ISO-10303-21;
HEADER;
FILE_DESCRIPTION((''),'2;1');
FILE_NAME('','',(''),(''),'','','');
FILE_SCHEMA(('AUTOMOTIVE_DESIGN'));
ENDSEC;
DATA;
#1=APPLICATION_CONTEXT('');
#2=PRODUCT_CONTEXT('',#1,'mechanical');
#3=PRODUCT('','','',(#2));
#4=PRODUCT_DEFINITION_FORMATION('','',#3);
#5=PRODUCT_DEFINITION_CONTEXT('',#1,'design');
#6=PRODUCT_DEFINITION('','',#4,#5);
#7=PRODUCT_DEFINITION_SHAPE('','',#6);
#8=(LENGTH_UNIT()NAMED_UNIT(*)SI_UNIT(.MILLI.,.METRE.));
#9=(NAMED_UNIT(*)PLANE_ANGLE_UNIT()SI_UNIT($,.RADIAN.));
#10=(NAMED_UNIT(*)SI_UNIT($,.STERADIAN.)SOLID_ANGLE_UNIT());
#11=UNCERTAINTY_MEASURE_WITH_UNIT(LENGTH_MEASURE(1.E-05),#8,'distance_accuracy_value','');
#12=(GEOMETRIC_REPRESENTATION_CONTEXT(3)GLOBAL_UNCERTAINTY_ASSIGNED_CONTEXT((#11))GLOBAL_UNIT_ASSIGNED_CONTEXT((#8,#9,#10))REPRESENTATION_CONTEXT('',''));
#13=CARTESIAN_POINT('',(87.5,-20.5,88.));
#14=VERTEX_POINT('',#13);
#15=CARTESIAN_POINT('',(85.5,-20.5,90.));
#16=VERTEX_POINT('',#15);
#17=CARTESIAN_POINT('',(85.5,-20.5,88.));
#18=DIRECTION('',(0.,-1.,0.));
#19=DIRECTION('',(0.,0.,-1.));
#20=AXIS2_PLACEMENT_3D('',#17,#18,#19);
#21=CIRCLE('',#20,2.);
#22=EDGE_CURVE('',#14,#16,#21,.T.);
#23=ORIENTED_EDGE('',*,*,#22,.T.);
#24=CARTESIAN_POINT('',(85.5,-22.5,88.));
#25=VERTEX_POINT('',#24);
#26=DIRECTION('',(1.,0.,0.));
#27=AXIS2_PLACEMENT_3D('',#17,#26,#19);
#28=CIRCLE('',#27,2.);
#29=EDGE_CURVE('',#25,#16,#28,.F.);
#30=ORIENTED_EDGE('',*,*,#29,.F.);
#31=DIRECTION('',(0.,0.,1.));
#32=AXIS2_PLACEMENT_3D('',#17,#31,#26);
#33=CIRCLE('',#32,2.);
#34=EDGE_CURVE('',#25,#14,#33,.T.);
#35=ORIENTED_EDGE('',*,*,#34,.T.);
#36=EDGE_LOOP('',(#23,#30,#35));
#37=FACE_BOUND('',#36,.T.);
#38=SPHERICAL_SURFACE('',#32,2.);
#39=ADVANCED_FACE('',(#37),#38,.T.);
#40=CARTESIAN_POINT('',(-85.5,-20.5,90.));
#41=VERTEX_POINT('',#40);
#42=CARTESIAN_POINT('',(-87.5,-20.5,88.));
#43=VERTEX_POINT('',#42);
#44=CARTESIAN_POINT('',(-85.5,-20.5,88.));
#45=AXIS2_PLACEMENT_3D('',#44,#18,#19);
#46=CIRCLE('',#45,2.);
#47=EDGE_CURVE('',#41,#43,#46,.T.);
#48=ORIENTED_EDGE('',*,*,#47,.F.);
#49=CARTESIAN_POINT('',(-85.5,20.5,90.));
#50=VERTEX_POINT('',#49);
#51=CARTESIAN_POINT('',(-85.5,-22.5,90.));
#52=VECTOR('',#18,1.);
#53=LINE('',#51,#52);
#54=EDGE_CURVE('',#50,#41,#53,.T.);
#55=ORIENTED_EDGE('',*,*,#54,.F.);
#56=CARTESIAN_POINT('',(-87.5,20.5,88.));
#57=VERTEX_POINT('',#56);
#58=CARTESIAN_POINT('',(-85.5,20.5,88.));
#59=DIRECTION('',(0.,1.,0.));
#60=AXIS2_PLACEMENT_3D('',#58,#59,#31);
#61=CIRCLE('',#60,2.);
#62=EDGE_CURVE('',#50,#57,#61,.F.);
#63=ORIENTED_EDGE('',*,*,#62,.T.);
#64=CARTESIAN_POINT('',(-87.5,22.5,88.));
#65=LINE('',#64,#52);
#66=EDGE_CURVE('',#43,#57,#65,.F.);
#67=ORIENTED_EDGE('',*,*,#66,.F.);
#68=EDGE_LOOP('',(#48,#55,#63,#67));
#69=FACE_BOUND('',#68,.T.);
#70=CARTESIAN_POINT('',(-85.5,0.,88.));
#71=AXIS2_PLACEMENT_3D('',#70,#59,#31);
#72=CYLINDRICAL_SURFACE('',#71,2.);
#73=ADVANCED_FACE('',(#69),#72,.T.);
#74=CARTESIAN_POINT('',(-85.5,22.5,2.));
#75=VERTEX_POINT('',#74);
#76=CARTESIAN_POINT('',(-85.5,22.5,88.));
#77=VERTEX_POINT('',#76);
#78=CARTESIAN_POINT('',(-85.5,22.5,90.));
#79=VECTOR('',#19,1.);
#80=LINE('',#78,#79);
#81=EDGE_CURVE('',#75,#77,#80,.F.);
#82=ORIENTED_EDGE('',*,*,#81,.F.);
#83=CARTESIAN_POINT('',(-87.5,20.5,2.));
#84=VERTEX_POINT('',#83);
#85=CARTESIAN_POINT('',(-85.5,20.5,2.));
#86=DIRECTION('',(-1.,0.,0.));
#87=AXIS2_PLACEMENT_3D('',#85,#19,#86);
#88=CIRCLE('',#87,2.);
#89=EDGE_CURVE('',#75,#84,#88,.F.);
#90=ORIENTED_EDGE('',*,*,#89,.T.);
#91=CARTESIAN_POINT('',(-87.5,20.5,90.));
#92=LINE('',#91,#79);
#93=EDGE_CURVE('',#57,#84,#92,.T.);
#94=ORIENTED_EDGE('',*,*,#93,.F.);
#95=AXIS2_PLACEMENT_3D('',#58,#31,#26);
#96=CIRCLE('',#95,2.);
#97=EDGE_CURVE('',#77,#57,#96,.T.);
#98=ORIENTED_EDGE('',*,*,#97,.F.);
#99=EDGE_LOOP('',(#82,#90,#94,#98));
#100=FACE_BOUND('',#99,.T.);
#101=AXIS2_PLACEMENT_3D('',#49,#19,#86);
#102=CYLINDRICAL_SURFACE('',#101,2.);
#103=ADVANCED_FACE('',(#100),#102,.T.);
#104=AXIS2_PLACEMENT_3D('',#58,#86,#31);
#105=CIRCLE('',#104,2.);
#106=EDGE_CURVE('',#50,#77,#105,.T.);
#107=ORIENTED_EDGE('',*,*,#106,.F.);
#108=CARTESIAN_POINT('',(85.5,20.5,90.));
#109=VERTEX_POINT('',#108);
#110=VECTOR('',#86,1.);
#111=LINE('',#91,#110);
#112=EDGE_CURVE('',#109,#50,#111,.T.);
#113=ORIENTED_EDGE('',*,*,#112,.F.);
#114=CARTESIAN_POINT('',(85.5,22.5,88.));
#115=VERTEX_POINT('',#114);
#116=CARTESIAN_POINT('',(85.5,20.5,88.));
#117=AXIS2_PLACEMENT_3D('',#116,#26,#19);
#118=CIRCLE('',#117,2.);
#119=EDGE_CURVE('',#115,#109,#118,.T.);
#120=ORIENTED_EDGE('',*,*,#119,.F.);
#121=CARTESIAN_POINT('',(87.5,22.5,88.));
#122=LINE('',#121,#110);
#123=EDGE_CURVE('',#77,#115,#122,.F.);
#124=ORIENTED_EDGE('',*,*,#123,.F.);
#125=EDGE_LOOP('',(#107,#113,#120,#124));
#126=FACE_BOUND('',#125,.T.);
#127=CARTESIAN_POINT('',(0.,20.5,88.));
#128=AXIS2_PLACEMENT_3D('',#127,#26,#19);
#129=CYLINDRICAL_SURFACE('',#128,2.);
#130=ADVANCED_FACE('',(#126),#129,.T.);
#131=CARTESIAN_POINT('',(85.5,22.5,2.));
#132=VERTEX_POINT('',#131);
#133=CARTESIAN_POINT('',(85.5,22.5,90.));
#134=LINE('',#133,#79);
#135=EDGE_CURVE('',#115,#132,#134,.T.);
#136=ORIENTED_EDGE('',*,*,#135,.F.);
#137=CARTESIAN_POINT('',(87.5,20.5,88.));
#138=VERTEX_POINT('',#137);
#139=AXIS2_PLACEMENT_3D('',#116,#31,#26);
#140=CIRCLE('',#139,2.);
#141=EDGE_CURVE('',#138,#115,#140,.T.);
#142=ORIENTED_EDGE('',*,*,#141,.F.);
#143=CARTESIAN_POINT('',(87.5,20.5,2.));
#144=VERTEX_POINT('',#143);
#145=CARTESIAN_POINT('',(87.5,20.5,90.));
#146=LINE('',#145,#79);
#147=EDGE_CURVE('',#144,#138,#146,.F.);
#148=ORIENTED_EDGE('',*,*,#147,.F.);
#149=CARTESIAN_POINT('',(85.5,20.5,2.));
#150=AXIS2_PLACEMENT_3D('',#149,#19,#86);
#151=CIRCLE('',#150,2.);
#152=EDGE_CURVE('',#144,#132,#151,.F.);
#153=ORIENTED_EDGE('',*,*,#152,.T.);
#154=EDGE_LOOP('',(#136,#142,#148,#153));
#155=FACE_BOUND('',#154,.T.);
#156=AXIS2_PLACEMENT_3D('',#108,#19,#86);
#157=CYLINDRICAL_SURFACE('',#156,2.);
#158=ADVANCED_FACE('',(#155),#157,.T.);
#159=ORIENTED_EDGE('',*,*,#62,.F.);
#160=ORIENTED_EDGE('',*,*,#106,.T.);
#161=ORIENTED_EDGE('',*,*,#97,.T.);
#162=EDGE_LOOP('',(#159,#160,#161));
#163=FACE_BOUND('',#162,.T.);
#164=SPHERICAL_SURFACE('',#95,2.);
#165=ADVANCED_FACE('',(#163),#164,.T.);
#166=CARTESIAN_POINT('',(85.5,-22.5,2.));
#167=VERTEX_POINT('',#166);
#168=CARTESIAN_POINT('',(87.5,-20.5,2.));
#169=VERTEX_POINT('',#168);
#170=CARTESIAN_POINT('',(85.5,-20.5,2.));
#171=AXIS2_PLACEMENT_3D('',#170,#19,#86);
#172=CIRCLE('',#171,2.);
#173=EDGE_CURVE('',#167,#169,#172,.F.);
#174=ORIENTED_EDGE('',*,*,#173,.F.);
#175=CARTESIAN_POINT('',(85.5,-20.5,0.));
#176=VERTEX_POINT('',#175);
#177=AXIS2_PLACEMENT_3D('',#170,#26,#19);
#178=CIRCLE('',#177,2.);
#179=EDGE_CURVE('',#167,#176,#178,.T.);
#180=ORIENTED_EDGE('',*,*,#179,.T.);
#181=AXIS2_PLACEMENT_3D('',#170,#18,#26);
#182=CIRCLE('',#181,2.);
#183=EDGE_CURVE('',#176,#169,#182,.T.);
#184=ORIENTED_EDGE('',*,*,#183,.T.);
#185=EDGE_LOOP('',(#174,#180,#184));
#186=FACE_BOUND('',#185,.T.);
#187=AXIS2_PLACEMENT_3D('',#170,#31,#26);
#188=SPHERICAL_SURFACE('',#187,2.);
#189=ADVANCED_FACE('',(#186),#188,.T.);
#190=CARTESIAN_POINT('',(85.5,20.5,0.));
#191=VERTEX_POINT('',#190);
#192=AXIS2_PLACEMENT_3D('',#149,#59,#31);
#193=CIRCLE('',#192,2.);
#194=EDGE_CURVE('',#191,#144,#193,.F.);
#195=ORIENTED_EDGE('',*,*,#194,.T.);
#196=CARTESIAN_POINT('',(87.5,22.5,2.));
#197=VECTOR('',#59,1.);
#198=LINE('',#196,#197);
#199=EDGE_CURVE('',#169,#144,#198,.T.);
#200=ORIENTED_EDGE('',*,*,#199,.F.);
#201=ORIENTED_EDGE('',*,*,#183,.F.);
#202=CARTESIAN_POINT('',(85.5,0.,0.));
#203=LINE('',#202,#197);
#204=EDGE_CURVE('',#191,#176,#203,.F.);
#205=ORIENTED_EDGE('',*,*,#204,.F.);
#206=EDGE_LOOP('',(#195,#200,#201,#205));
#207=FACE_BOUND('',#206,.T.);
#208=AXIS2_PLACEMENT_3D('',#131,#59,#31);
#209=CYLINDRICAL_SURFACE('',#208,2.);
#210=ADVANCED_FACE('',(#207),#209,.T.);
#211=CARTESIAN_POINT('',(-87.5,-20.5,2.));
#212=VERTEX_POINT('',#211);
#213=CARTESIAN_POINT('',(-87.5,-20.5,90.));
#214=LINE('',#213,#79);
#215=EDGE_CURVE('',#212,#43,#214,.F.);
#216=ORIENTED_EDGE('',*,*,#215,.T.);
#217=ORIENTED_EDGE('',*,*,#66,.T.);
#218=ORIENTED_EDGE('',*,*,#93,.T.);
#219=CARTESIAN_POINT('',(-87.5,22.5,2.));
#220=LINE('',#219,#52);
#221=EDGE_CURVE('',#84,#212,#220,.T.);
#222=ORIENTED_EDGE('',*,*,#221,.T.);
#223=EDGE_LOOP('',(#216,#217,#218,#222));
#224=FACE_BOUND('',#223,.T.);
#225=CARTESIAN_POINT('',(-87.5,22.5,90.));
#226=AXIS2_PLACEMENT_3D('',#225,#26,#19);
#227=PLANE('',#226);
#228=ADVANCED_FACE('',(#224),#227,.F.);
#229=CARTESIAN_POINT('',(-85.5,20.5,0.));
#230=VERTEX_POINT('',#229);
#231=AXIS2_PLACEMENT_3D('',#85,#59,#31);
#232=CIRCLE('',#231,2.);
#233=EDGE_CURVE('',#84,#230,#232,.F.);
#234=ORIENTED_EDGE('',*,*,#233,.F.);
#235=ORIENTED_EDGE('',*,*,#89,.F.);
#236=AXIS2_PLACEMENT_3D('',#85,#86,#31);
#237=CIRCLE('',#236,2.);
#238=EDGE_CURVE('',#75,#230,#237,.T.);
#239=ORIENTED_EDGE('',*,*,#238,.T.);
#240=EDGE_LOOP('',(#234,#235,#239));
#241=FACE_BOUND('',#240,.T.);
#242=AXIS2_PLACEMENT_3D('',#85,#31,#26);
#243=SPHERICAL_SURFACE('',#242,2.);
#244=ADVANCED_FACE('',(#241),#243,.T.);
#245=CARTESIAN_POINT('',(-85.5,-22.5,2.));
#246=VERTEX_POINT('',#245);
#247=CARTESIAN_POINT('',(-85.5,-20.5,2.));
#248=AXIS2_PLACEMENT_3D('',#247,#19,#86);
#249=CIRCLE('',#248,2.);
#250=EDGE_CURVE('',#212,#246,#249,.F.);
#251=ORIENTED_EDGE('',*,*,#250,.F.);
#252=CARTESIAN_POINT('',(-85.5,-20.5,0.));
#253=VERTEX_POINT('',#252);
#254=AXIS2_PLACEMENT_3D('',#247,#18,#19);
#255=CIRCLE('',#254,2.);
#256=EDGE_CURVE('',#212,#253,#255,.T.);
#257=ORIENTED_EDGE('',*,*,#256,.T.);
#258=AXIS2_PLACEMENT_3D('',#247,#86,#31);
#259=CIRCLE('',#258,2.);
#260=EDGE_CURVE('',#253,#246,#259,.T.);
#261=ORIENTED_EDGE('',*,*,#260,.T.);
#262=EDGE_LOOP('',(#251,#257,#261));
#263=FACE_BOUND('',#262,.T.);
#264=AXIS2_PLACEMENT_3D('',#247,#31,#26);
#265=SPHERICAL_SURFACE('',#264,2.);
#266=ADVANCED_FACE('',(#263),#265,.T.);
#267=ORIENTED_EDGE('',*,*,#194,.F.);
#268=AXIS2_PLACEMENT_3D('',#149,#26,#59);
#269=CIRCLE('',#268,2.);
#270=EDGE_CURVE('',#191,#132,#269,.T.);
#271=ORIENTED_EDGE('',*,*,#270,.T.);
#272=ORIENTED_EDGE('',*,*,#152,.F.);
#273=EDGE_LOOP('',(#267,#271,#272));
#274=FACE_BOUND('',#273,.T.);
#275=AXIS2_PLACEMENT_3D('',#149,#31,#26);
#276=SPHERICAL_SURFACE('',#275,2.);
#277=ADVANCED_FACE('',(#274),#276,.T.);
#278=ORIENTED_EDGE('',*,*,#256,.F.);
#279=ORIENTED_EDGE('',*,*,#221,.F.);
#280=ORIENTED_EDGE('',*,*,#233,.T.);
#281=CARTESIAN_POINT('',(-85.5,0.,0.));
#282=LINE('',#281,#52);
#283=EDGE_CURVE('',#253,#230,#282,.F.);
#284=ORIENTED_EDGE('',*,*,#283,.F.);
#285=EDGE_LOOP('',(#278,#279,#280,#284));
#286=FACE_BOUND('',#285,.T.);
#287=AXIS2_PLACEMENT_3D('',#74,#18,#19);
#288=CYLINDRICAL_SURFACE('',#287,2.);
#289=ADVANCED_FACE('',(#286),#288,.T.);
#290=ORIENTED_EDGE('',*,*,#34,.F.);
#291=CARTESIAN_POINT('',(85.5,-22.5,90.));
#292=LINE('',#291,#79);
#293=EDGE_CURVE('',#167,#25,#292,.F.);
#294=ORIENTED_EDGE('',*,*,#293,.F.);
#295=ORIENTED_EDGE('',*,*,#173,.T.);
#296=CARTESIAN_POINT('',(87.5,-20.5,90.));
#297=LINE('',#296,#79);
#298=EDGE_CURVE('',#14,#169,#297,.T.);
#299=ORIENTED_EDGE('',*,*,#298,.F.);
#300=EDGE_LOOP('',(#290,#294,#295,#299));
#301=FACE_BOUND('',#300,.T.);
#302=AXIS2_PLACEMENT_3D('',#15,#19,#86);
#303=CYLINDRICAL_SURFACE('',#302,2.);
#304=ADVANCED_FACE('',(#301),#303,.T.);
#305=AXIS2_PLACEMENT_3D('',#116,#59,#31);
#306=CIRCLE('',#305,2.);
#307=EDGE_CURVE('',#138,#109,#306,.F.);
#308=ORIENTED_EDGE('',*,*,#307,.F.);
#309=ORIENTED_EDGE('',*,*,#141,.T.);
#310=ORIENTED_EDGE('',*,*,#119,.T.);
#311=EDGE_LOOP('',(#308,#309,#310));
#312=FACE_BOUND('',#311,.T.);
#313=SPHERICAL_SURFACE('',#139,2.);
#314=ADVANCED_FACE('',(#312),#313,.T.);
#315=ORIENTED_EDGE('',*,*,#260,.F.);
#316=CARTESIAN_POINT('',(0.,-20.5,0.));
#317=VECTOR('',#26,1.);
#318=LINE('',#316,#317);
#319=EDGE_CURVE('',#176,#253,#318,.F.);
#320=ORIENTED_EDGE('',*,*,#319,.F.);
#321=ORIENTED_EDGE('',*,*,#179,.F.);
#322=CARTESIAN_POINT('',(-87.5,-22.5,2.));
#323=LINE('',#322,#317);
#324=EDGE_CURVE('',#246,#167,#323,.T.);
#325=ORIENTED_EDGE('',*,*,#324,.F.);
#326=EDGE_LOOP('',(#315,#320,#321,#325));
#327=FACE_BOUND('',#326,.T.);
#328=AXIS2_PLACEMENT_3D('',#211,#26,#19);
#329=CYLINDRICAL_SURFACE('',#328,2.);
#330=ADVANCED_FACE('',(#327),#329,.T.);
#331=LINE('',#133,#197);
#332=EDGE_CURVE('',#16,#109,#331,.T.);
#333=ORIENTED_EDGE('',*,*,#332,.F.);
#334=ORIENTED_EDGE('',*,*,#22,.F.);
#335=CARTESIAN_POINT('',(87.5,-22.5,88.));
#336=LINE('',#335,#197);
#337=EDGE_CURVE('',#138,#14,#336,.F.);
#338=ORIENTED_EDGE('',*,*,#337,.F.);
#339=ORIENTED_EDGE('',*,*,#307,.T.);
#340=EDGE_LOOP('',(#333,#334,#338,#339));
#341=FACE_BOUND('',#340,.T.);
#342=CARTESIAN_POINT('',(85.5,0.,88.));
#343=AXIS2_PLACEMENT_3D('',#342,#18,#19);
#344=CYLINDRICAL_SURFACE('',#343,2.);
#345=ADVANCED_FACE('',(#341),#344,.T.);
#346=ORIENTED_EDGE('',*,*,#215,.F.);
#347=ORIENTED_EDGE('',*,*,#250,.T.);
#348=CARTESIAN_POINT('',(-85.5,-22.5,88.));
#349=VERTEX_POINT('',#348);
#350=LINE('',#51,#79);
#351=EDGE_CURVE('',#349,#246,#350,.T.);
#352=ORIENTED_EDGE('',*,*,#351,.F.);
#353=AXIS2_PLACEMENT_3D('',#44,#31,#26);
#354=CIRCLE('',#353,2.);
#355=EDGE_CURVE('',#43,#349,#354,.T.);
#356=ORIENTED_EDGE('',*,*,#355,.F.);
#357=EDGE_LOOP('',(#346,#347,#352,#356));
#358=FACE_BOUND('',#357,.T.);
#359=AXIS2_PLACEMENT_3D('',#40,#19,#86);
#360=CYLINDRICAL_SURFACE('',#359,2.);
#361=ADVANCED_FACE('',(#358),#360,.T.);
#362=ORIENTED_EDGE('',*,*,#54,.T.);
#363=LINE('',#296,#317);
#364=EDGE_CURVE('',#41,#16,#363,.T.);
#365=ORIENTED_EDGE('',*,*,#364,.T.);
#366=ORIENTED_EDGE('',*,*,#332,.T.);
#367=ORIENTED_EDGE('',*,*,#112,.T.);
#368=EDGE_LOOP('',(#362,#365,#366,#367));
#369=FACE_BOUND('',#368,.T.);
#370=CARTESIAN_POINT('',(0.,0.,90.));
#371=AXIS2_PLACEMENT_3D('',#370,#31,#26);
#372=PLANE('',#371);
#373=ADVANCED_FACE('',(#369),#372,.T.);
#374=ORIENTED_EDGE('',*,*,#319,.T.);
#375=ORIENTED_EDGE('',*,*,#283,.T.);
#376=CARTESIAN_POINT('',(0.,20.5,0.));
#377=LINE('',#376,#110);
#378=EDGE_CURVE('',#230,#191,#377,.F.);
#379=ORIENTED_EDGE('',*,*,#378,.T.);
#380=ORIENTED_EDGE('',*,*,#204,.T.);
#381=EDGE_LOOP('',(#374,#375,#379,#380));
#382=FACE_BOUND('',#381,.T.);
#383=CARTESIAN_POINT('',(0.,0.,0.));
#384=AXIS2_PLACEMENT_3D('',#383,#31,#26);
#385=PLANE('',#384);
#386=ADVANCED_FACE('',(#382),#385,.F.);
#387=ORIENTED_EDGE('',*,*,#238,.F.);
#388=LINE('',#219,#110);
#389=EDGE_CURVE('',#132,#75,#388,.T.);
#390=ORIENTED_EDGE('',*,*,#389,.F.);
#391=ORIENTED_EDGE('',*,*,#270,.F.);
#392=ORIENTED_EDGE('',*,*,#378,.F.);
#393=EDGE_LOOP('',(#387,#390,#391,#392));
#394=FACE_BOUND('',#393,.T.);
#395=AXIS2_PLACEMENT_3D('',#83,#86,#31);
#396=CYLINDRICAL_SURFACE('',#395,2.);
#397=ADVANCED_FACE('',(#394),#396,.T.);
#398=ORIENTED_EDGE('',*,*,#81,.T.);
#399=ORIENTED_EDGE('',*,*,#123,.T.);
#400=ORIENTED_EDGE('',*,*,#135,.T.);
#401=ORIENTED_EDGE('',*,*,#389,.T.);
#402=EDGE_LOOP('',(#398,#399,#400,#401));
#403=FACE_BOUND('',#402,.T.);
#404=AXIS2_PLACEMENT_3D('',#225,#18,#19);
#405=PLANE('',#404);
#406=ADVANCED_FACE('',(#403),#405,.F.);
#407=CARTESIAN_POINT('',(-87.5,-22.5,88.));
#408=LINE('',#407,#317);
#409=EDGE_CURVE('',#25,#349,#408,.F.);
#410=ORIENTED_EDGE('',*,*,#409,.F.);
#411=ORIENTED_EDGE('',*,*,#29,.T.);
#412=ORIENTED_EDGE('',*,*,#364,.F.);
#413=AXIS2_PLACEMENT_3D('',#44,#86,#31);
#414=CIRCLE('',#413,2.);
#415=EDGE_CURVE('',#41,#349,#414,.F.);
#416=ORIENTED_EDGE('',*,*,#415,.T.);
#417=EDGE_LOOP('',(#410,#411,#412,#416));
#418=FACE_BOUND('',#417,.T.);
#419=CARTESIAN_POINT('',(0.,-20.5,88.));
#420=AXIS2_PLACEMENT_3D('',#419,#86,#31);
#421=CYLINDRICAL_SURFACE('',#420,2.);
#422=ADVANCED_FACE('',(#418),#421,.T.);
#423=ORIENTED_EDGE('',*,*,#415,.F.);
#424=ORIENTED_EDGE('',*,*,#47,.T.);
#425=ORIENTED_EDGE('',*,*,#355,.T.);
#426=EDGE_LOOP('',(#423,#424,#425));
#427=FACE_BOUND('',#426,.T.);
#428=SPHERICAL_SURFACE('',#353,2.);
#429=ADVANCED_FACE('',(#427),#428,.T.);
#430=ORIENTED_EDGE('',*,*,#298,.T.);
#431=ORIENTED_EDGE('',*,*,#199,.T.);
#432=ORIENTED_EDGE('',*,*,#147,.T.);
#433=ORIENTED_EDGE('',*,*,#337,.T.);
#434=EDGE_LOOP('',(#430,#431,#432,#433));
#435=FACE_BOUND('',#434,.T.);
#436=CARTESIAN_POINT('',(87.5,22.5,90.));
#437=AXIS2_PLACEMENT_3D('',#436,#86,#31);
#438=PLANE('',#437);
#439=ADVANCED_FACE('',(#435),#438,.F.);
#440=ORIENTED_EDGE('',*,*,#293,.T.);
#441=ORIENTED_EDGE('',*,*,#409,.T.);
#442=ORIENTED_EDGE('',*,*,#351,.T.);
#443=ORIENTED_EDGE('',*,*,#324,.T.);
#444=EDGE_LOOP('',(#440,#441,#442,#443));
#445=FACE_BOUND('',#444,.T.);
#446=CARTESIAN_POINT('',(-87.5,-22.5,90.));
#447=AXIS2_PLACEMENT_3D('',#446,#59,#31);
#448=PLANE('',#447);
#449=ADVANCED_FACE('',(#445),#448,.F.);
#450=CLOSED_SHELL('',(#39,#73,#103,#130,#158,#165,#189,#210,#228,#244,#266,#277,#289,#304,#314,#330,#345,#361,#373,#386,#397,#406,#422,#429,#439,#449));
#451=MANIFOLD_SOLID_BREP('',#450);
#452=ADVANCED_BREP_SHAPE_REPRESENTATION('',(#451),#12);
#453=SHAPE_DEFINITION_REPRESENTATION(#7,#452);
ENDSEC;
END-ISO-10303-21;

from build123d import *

# Parameters (mm, degrees)
SKETCH1_W           = 175
SKETCH1_H           = 45
BOSS_EXTRUDE1_DEPTH = 90
FILLET1_R           = 2


with BuildPart() as part:
    # Sketch1 → Boss-Extrude1 (new body)
    with BuildSketch(Plane.XY):
        Rectangle(SKETCH1_W, SKETCH1_H)
    extrude(amount=BOSS_EXTRUDE1_DEPTH)

    # Fillet1
    fillet1_edges = [part.edges().sort_by_distance(p)[0] for p in [
        (-87.5, 0, 90),
        (0, -22.5, 90),
        (87.5, 0, 90),
        (0, -22.5, 0),
        (-87.5, 0, 0),
        (0, 22.5, 0),
        (87.5, 0, 0),
        (0, 22.5, 90),
        (87.5, -22.5, 45),
        (-87.5, -22.5, 45),
        (-87.5, 22.5, 45),
        (87.5, 22.5, 45),
    ]]
    fillet(fillet1_edges, radius=FILLET1_R)


solid = part.part
